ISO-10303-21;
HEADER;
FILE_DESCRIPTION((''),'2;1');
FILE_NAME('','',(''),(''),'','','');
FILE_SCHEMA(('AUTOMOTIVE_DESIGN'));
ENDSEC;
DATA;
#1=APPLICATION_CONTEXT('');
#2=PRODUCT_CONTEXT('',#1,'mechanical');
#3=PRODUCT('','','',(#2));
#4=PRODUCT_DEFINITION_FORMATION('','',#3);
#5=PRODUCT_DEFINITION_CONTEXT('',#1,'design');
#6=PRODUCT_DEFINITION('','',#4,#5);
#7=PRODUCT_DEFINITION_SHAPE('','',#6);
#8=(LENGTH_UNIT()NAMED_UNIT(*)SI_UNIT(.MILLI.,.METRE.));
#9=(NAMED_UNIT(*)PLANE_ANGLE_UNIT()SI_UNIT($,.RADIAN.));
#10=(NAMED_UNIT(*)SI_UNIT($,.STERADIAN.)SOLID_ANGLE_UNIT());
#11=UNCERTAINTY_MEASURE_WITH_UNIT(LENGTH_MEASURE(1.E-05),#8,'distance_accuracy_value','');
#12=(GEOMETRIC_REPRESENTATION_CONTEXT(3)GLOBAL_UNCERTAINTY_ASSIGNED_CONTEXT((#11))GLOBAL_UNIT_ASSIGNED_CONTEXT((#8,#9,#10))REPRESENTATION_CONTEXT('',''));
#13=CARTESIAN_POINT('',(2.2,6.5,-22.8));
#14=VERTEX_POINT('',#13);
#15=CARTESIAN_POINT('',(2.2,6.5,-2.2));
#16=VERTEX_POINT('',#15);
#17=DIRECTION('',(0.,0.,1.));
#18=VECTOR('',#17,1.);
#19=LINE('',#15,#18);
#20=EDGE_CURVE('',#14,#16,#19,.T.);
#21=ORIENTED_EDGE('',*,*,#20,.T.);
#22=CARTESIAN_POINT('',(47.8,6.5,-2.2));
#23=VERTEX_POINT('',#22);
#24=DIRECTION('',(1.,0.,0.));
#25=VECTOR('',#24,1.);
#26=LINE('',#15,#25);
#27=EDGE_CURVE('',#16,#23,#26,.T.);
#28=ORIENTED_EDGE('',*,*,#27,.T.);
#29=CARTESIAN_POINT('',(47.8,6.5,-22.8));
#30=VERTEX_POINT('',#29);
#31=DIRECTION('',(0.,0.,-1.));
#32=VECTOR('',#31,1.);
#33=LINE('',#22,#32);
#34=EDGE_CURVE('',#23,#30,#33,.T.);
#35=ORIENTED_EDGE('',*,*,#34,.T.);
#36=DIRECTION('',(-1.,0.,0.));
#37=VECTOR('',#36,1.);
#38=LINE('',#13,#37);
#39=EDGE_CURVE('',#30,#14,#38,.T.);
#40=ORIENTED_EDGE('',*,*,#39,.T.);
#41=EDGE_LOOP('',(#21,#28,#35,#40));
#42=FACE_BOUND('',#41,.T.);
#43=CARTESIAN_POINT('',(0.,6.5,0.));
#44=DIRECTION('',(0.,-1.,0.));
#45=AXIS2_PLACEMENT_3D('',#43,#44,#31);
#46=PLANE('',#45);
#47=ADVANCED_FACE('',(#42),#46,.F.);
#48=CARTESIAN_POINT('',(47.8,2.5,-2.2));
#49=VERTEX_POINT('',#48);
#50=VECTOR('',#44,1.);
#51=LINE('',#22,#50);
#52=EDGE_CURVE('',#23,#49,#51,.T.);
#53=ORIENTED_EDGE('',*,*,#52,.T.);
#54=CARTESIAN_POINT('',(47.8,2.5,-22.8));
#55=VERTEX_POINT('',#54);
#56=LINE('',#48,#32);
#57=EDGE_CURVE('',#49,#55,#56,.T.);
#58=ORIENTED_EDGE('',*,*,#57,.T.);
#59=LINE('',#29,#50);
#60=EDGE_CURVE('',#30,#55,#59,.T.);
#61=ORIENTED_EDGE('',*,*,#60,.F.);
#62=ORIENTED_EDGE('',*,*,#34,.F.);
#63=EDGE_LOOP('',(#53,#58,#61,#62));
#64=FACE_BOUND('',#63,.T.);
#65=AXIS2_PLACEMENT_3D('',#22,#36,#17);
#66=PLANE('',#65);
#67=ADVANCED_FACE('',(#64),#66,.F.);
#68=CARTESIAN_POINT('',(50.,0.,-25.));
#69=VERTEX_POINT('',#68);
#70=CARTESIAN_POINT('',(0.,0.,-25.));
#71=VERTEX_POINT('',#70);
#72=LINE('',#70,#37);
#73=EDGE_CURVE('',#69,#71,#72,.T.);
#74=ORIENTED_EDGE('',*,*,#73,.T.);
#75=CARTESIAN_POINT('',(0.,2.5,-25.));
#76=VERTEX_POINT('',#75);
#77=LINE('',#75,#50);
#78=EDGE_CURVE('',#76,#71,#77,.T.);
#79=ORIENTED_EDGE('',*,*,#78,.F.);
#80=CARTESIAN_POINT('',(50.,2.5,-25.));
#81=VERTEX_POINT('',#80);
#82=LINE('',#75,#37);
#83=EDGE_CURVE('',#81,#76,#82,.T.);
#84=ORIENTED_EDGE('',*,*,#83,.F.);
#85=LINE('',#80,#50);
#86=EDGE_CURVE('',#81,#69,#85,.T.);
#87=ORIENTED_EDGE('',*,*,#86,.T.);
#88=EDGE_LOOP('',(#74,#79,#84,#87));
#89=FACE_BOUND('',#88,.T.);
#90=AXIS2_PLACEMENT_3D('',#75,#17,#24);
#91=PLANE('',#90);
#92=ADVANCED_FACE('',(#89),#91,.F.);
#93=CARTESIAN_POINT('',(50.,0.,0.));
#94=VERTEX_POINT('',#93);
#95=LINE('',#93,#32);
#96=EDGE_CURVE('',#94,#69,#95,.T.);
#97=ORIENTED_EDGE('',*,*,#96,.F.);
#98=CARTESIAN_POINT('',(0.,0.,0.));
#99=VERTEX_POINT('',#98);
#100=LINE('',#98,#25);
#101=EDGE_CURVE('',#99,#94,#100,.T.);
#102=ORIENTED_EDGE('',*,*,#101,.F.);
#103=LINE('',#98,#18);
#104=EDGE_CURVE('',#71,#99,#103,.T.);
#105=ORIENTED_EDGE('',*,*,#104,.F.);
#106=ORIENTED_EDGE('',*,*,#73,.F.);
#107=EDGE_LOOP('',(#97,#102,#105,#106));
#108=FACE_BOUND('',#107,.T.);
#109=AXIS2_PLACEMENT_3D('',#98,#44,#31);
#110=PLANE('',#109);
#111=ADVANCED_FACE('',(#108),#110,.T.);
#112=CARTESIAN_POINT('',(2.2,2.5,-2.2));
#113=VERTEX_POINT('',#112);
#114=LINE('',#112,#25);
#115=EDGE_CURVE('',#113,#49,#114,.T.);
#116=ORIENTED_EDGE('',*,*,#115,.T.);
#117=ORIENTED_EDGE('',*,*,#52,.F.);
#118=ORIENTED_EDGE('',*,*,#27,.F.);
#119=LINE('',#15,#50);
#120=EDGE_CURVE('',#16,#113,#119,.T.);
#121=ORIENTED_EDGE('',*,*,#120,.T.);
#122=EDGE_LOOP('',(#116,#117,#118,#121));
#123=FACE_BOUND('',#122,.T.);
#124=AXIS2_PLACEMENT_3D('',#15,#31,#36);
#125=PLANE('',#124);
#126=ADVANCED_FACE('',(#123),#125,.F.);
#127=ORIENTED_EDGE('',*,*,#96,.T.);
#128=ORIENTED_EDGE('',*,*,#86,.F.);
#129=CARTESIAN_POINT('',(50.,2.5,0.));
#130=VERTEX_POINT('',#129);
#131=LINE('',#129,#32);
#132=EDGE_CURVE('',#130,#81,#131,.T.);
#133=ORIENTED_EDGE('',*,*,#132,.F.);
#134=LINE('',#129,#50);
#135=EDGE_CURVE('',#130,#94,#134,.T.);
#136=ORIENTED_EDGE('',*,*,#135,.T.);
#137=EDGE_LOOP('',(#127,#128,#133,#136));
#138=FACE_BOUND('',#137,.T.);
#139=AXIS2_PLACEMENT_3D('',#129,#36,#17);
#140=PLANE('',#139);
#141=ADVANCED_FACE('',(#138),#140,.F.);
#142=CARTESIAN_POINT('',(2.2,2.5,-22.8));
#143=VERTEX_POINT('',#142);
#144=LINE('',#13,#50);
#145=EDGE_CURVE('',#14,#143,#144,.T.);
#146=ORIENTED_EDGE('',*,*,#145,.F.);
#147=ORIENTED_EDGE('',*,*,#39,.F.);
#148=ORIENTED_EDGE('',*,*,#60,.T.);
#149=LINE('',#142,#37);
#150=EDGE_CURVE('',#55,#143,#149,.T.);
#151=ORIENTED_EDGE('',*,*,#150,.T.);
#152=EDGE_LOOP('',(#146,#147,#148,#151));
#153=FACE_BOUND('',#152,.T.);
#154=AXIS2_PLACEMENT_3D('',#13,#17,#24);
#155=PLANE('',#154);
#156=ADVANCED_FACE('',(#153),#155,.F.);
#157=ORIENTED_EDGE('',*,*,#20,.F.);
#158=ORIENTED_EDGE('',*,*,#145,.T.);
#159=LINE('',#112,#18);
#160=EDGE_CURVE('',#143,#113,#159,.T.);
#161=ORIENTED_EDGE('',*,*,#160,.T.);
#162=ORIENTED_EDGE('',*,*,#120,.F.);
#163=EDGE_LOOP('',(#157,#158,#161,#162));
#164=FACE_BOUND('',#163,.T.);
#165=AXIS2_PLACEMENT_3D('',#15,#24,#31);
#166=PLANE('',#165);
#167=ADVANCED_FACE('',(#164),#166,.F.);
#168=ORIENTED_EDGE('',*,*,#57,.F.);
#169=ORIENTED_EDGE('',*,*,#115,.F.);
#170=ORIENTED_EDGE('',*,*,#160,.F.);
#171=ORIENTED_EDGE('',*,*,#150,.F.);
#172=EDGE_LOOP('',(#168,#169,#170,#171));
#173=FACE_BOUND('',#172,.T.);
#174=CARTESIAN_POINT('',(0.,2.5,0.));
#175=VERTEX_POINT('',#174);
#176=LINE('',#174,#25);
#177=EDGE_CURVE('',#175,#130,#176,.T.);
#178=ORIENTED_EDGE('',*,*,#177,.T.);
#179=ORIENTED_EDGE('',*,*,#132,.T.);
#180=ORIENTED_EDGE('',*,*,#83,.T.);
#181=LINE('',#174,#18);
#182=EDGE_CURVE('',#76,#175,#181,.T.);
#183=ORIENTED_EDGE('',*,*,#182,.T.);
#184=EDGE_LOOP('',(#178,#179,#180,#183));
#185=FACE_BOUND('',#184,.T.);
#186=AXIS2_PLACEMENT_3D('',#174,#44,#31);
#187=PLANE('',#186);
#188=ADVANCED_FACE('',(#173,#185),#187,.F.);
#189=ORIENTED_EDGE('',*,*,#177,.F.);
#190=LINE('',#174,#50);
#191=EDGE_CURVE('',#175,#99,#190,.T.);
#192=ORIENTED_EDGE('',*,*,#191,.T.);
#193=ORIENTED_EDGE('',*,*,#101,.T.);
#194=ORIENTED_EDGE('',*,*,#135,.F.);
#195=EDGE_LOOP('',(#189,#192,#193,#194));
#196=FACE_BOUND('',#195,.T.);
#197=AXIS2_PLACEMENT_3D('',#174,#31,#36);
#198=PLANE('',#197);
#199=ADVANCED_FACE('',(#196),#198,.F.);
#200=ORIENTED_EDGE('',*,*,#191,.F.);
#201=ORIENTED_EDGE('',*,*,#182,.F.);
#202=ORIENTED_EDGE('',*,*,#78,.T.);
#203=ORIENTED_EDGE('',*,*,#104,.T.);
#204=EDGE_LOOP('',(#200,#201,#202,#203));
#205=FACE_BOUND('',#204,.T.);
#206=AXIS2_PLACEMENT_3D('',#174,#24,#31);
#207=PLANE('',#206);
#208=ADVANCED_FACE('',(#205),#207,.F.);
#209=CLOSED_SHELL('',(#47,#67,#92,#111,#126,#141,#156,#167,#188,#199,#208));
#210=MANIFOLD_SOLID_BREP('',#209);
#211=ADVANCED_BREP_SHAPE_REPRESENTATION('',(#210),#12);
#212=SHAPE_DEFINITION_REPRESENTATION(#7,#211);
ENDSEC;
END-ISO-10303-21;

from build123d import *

# Parameters (mm, degrees)
SKETCH1_W           = 50
SKETCH1_H           = 25
BOSS_EXTRUDE1_DEPTH = 2.5
SKETCH2_W           = 45.6
SKETCH2_H           = 20.6
BOSS_EXTRUDE2_DEPTH = 4


with BuildPart() as part:
    # Sketch1 → Boss-Extrude1 (new body)
    with BuildSketch(Plane(origin=(0, 0, 0), x_dir=(1, 0, 0), z_dir=(0, 1, 0))):
        with Locations((25, 12.5)):
            Rectangle(SKETCH1_W, SKETCH1_H)
    extrude(amount=BOSS_EXTRUDE1_DEPTH)

    # Sketch2 → Boss-Extrude2 (add)
    with BuildSketch(Plane(origin=(0, 2.5, 0), x_dir=(1, 0, 0), z_dir=(0, 1, 0))):
        with Locations((25, 12.5)):
            Rectangle(SKETCH2_W, SKETCH2_H)
    extrude(amount=BOSS_EXTRUDE2_DEPTH)


solid = part.part
